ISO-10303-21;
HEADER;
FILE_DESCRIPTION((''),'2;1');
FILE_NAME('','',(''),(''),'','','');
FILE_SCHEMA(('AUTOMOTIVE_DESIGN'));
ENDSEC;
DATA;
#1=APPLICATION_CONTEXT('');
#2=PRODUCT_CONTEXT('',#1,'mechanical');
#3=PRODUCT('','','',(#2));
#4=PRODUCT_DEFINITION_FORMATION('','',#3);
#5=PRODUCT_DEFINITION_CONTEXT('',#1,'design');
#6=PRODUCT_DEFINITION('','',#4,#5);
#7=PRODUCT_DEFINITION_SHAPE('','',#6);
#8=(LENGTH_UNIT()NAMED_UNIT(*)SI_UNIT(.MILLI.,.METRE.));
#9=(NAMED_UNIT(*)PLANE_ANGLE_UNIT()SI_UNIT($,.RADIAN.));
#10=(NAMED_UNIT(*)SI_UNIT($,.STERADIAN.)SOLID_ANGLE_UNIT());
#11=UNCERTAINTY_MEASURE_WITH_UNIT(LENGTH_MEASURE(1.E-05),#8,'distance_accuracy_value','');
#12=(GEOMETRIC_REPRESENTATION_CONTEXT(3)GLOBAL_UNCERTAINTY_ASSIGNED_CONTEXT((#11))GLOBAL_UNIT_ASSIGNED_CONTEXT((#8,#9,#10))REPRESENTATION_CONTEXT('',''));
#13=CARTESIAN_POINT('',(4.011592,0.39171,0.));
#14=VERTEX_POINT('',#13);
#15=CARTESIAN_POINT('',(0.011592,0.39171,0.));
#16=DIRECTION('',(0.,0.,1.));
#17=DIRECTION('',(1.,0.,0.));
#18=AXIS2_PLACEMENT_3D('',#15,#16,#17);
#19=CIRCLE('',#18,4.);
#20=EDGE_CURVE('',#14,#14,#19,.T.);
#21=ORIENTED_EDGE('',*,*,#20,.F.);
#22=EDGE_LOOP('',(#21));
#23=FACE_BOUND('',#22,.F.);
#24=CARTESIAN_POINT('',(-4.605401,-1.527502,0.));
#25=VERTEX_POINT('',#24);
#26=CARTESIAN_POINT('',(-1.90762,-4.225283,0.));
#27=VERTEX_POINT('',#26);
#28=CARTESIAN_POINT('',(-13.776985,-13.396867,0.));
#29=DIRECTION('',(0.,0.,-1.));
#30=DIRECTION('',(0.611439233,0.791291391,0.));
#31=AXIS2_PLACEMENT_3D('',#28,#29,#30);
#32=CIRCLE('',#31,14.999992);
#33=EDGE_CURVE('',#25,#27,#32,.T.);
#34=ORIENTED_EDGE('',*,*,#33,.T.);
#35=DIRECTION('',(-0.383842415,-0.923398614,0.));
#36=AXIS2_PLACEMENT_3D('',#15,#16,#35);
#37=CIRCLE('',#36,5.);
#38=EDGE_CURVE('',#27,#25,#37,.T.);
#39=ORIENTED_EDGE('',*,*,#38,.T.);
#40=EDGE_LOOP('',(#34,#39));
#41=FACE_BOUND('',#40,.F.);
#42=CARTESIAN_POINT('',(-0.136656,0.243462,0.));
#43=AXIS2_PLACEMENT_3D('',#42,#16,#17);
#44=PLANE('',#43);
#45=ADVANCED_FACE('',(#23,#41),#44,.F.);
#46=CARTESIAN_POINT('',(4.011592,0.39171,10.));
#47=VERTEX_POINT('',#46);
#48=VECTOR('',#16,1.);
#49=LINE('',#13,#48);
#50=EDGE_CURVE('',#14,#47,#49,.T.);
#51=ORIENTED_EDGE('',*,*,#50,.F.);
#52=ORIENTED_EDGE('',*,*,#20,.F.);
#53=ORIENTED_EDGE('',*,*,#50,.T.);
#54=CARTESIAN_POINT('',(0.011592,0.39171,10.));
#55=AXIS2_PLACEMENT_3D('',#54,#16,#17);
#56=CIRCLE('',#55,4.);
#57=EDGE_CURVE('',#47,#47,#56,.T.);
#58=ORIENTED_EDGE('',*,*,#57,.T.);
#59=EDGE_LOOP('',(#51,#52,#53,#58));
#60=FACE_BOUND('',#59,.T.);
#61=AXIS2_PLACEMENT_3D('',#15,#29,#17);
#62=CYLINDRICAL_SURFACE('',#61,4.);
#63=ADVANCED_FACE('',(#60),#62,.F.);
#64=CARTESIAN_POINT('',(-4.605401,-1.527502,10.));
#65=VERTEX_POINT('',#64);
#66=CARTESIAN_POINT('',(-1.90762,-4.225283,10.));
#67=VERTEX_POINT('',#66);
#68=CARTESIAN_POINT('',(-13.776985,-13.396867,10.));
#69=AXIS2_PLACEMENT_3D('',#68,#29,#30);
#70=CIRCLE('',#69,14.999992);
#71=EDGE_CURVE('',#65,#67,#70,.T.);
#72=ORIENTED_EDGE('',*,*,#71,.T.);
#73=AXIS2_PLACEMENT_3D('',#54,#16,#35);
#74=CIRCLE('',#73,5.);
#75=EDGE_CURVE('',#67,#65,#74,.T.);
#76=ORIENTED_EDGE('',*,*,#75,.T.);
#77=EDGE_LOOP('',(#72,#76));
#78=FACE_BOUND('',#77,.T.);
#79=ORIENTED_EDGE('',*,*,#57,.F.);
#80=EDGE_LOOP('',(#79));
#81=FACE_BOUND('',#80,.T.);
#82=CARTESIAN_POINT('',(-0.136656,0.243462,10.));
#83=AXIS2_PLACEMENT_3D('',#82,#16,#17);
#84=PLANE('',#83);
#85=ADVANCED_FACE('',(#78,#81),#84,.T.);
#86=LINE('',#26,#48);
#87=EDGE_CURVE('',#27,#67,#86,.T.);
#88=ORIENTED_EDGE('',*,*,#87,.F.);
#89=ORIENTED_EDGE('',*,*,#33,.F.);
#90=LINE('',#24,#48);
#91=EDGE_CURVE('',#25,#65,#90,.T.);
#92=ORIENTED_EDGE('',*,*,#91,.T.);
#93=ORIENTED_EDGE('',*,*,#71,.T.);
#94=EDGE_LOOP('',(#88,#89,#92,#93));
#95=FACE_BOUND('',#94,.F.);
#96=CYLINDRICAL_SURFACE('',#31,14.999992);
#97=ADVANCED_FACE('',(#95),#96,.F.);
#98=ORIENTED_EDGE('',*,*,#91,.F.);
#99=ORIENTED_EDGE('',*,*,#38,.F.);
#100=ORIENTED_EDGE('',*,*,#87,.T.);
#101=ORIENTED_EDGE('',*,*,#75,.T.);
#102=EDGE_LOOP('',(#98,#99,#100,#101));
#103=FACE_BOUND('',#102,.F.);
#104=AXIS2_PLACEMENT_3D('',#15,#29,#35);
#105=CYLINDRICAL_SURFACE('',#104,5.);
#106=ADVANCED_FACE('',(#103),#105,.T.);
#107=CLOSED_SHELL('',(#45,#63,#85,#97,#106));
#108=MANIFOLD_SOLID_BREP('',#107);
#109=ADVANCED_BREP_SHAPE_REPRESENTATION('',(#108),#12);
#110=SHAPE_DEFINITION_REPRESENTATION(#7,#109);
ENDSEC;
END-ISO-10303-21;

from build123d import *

# Parameters (mm, degrees)
F0_R     = 4
F1_DEPTH = 10


with BuildPart() as f1:
    # F0 (on Top) → F1 (new body)
    with BuildSketch(Plane.XY):
        with BuildLine():
            ThreePointArc((-4.605401, -1.527502), (-3.170388, -2.790271), (-1.90762, -4.225283))
            ThreePointArc((-1.90762, -4.225283), (3.547126, 3.927244), (-4.605401, -1.527502))
        make_face()
        with Locations((0.011592, 0.39171)):
            Circle(F0_R, mode=Mode.SUBTRACT)
    extrude(amount=F1_DEPTH)


solid = f1.part
